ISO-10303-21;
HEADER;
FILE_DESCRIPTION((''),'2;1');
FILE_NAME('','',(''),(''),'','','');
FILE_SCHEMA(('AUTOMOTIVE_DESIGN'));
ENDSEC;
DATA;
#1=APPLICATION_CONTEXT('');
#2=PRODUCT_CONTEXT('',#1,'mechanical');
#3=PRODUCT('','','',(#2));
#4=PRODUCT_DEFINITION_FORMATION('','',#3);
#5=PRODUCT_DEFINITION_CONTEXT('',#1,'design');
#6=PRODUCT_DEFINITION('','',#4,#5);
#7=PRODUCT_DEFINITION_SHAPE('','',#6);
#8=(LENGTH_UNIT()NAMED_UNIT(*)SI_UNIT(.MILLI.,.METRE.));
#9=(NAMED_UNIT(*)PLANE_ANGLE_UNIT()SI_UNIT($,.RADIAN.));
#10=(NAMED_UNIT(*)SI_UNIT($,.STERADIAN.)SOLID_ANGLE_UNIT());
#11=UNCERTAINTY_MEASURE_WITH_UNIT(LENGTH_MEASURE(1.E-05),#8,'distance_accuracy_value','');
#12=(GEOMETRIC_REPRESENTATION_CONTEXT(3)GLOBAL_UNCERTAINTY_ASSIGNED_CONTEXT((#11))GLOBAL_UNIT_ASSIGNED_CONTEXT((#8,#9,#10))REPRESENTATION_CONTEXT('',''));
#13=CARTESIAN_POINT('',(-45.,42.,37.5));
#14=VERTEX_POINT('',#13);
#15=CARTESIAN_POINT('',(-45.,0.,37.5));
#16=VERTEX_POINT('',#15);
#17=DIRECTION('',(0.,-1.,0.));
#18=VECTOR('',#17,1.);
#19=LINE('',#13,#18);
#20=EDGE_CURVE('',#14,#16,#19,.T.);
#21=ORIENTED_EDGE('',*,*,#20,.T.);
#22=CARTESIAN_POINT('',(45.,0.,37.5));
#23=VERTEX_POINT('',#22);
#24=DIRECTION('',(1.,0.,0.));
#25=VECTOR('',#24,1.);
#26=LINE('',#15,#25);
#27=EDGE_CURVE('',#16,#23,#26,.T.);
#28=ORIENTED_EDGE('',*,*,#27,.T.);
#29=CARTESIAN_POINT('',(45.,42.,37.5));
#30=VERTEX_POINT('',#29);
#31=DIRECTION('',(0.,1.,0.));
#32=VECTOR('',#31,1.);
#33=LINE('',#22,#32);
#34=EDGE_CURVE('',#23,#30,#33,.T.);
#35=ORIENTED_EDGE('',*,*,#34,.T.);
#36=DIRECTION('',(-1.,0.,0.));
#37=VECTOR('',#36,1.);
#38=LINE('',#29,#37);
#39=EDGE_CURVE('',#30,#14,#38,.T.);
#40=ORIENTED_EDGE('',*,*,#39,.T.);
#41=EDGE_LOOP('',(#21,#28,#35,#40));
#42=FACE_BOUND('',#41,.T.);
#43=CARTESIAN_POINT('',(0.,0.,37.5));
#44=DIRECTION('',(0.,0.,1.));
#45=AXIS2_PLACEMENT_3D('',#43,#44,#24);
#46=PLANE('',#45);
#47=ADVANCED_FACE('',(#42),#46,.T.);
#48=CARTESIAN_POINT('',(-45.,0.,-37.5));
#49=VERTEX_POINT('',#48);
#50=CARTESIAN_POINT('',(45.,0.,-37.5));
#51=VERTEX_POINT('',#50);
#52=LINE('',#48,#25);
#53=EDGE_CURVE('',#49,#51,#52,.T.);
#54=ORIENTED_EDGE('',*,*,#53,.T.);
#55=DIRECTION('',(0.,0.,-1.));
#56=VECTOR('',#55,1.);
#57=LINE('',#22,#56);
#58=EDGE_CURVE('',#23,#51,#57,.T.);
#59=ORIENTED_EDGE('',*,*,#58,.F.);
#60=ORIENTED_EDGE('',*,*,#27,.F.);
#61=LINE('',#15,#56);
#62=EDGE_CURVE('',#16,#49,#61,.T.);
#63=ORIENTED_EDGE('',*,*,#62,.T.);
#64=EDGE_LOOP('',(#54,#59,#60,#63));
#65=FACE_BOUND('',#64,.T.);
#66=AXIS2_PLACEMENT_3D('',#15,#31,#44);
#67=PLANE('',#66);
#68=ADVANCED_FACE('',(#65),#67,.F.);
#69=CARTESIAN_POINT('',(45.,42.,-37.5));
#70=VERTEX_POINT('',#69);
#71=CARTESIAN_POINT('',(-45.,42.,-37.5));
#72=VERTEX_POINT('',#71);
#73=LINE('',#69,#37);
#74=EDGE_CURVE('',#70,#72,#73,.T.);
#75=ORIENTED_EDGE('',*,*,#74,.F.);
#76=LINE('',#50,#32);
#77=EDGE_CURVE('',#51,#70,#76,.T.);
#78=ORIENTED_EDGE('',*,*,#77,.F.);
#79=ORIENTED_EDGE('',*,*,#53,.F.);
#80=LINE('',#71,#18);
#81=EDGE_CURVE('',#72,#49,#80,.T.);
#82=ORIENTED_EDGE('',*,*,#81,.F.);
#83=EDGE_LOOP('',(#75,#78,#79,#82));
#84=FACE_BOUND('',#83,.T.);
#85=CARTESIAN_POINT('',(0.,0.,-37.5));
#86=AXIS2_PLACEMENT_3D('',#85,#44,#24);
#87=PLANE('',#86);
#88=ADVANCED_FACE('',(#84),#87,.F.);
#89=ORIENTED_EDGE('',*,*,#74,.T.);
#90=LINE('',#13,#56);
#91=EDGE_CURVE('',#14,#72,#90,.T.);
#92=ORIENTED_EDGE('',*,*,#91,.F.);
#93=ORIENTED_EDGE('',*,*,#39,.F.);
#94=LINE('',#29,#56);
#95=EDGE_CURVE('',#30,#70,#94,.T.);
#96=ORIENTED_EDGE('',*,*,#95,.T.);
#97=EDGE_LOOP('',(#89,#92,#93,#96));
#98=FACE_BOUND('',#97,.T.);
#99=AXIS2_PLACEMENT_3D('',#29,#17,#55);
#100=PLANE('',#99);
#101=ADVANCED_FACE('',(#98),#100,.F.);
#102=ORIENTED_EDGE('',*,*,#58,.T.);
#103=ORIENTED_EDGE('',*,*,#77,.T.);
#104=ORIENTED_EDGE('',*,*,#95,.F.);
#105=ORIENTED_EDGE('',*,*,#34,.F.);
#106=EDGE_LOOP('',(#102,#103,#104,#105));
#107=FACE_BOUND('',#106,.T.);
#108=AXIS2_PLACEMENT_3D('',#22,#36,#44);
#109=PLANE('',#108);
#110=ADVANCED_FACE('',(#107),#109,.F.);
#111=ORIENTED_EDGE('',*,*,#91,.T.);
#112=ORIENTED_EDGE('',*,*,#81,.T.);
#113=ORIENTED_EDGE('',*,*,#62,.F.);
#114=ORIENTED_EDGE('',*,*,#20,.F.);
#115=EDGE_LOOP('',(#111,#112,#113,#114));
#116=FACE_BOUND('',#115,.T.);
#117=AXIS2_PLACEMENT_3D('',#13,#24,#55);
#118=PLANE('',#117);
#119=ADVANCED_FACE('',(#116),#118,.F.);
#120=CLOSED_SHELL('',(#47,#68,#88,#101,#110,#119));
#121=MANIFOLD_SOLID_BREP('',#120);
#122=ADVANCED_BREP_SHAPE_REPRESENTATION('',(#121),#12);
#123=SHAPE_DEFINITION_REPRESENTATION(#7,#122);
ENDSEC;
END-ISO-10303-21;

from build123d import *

# Parameters (mm, degrees)
SK_PACK_W    = 90
SK_PACK_H    = 42
PACK_2_DEPTH = 37.5


with BuildPart() as part:
    # SK_Pack → Pack 2 (new, symmetric)
    with BuildSketch(Plane.XY):
        with Locations((0, 21)):
            Rectangle(SK_PACK_W, SK_PACK_H)
    extrude(amount=PACK_2_DEPTH, both=True)


solid = part.part
